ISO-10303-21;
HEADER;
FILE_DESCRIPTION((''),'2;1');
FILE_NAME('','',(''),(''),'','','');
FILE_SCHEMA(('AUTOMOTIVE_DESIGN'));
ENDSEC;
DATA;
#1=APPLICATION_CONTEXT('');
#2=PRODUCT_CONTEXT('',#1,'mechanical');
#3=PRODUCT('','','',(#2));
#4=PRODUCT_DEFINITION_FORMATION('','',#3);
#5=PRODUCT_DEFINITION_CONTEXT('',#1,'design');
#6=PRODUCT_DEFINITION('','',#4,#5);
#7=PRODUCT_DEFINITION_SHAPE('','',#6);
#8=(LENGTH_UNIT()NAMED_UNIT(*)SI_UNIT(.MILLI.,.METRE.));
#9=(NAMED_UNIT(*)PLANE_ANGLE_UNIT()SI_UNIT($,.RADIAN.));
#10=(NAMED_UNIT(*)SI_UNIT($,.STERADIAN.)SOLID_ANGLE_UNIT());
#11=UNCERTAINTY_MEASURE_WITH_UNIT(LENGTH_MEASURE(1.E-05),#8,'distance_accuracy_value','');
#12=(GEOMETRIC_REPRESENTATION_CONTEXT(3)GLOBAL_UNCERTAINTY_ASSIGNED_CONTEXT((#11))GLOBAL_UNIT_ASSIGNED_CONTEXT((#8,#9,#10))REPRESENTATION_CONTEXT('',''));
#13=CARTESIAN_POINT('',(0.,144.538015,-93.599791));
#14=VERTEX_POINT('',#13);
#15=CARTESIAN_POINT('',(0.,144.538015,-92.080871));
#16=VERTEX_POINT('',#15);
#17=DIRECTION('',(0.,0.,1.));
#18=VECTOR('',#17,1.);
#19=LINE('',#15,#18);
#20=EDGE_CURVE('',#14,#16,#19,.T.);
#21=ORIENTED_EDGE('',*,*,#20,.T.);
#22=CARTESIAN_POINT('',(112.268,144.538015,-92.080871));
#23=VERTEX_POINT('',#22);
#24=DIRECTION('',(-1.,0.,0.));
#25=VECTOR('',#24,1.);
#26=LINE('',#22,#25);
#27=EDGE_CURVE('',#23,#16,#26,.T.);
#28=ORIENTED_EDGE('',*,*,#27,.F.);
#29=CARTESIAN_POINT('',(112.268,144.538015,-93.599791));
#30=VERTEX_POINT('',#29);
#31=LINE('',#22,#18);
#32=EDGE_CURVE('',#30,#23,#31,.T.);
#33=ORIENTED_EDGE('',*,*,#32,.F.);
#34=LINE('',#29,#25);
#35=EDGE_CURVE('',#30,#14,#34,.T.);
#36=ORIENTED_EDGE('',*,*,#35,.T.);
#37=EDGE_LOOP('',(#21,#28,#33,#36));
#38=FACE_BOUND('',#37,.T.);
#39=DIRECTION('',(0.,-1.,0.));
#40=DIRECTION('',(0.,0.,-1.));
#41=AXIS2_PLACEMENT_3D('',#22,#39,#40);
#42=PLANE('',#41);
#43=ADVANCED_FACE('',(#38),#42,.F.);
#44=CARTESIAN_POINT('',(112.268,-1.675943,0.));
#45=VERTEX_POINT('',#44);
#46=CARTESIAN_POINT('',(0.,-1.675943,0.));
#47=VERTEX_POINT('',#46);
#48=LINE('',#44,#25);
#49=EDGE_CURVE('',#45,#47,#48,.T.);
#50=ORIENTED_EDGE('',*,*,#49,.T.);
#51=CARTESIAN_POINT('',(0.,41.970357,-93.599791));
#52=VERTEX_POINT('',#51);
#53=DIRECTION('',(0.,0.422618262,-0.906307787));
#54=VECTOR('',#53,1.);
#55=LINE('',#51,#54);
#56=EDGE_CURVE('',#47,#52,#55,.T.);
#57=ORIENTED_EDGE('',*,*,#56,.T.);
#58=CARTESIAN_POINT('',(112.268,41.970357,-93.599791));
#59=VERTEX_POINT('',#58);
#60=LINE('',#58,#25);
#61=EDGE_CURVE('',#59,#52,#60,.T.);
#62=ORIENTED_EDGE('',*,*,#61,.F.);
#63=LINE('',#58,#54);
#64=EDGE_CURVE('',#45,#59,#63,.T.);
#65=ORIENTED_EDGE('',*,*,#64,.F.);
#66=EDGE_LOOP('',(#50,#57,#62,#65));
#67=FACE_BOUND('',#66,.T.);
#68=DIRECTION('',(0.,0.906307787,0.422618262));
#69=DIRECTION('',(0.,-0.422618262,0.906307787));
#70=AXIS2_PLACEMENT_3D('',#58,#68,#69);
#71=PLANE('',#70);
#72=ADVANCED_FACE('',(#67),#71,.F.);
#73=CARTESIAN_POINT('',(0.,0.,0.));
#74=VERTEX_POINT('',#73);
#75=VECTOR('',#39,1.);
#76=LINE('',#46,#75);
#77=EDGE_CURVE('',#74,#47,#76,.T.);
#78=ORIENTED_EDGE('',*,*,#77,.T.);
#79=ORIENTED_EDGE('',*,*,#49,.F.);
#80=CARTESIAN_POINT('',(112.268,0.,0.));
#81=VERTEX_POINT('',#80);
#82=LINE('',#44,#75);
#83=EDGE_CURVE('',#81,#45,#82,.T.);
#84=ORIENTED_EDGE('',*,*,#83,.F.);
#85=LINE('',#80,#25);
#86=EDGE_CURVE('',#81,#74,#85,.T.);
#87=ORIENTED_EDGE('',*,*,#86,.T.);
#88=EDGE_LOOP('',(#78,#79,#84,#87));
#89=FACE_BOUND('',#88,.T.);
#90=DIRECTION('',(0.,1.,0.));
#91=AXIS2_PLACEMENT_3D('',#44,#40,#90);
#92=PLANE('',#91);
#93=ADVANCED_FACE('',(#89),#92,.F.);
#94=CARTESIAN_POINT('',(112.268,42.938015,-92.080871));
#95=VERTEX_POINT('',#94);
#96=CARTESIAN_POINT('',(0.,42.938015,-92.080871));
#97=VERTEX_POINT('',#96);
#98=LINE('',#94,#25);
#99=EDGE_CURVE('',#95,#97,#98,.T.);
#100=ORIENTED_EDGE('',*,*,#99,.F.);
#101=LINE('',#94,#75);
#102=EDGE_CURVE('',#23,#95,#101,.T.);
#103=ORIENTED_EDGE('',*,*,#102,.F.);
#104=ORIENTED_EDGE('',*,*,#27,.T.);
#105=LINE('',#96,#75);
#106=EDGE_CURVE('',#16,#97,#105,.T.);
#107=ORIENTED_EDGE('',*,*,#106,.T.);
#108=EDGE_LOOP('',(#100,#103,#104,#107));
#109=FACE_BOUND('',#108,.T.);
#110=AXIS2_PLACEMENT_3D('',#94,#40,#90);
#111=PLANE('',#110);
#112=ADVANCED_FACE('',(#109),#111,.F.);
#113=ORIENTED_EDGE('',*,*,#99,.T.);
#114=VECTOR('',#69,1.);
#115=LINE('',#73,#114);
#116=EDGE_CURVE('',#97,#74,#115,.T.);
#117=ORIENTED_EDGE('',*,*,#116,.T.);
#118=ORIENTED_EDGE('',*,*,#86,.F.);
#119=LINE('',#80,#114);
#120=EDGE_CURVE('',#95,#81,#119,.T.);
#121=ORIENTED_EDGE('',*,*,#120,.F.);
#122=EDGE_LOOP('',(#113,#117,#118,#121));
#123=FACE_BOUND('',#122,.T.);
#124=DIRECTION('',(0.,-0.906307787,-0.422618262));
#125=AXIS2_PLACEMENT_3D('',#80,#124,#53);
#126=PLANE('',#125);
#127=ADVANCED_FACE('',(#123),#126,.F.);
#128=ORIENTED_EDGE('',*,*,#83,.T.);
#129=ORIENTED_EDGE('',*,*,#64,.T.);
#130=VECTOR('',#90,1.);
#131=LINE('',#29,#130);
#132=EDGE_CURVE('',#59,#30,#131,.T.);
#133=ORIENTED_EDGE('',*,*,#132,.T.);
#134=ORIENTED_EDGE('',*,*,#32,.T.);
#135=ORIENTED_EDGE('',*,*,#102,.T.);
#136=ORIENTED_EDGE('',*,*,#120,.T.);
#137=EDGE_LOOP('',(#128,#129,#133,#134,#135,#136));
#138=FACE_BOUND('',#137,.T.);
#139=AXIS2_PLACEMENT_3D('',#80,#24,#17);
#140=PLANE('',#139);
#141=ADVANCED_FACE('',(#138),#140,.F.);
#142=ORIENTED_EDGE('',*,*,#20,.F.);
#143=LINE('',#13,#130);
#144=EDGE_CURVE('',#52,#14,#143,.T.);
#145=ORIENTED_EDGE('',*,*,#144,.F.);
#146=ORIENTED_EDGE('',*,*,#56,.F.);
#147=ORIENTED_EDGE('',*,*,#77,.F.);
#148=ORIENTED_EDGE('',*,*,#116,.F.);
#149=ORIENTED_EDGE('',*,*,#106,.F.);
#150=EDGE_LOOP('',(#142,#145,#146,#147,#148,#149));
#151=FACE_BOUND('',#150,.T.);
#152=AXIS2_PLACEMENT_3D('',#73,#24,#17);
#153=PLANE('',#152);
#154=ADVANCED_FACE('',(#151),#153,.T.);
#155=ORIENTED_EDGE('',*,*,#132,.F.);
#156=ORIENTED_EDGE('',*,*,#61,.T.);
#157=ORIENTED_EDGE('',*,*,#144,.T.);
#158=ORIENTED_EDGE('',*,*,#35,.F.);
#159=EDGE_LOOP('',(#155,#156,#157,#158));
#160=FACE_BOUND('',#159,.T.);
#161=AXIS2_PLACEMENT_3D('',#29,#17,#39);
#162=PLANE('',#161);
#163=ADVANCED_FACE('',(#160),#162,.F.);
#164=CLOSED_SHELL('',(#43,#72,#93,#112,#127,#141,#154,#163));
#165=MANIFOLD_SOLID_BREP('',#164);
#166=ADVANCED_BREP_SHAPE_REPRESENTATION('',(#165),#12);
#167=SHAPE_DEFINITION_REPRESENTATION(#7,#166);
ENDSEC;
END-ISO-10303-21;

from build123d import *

# Parameters (mm, degrees)
BOSS_EXTRUDE1_DEPTH = 112.268


with BuildPart() as part:
    # Sketch1 → Boss-Extrude1 (new body)
    with BuildSketch(Plane(origin=(0, 0, 0), x_dir=(0, 0, -1), z_dir=(1, 0, 0))):
        Polygon((0, 0), (92.080871163, 42.938015393), (92.080871163, 144.538015393), (93.599791163, 144.538015393), (93.599791163, 41.970356632), (0, -1.675942789), align=None)
    extrude(amount=BOSS_EXTRUDE1_DEPTH)


solid = part.part
